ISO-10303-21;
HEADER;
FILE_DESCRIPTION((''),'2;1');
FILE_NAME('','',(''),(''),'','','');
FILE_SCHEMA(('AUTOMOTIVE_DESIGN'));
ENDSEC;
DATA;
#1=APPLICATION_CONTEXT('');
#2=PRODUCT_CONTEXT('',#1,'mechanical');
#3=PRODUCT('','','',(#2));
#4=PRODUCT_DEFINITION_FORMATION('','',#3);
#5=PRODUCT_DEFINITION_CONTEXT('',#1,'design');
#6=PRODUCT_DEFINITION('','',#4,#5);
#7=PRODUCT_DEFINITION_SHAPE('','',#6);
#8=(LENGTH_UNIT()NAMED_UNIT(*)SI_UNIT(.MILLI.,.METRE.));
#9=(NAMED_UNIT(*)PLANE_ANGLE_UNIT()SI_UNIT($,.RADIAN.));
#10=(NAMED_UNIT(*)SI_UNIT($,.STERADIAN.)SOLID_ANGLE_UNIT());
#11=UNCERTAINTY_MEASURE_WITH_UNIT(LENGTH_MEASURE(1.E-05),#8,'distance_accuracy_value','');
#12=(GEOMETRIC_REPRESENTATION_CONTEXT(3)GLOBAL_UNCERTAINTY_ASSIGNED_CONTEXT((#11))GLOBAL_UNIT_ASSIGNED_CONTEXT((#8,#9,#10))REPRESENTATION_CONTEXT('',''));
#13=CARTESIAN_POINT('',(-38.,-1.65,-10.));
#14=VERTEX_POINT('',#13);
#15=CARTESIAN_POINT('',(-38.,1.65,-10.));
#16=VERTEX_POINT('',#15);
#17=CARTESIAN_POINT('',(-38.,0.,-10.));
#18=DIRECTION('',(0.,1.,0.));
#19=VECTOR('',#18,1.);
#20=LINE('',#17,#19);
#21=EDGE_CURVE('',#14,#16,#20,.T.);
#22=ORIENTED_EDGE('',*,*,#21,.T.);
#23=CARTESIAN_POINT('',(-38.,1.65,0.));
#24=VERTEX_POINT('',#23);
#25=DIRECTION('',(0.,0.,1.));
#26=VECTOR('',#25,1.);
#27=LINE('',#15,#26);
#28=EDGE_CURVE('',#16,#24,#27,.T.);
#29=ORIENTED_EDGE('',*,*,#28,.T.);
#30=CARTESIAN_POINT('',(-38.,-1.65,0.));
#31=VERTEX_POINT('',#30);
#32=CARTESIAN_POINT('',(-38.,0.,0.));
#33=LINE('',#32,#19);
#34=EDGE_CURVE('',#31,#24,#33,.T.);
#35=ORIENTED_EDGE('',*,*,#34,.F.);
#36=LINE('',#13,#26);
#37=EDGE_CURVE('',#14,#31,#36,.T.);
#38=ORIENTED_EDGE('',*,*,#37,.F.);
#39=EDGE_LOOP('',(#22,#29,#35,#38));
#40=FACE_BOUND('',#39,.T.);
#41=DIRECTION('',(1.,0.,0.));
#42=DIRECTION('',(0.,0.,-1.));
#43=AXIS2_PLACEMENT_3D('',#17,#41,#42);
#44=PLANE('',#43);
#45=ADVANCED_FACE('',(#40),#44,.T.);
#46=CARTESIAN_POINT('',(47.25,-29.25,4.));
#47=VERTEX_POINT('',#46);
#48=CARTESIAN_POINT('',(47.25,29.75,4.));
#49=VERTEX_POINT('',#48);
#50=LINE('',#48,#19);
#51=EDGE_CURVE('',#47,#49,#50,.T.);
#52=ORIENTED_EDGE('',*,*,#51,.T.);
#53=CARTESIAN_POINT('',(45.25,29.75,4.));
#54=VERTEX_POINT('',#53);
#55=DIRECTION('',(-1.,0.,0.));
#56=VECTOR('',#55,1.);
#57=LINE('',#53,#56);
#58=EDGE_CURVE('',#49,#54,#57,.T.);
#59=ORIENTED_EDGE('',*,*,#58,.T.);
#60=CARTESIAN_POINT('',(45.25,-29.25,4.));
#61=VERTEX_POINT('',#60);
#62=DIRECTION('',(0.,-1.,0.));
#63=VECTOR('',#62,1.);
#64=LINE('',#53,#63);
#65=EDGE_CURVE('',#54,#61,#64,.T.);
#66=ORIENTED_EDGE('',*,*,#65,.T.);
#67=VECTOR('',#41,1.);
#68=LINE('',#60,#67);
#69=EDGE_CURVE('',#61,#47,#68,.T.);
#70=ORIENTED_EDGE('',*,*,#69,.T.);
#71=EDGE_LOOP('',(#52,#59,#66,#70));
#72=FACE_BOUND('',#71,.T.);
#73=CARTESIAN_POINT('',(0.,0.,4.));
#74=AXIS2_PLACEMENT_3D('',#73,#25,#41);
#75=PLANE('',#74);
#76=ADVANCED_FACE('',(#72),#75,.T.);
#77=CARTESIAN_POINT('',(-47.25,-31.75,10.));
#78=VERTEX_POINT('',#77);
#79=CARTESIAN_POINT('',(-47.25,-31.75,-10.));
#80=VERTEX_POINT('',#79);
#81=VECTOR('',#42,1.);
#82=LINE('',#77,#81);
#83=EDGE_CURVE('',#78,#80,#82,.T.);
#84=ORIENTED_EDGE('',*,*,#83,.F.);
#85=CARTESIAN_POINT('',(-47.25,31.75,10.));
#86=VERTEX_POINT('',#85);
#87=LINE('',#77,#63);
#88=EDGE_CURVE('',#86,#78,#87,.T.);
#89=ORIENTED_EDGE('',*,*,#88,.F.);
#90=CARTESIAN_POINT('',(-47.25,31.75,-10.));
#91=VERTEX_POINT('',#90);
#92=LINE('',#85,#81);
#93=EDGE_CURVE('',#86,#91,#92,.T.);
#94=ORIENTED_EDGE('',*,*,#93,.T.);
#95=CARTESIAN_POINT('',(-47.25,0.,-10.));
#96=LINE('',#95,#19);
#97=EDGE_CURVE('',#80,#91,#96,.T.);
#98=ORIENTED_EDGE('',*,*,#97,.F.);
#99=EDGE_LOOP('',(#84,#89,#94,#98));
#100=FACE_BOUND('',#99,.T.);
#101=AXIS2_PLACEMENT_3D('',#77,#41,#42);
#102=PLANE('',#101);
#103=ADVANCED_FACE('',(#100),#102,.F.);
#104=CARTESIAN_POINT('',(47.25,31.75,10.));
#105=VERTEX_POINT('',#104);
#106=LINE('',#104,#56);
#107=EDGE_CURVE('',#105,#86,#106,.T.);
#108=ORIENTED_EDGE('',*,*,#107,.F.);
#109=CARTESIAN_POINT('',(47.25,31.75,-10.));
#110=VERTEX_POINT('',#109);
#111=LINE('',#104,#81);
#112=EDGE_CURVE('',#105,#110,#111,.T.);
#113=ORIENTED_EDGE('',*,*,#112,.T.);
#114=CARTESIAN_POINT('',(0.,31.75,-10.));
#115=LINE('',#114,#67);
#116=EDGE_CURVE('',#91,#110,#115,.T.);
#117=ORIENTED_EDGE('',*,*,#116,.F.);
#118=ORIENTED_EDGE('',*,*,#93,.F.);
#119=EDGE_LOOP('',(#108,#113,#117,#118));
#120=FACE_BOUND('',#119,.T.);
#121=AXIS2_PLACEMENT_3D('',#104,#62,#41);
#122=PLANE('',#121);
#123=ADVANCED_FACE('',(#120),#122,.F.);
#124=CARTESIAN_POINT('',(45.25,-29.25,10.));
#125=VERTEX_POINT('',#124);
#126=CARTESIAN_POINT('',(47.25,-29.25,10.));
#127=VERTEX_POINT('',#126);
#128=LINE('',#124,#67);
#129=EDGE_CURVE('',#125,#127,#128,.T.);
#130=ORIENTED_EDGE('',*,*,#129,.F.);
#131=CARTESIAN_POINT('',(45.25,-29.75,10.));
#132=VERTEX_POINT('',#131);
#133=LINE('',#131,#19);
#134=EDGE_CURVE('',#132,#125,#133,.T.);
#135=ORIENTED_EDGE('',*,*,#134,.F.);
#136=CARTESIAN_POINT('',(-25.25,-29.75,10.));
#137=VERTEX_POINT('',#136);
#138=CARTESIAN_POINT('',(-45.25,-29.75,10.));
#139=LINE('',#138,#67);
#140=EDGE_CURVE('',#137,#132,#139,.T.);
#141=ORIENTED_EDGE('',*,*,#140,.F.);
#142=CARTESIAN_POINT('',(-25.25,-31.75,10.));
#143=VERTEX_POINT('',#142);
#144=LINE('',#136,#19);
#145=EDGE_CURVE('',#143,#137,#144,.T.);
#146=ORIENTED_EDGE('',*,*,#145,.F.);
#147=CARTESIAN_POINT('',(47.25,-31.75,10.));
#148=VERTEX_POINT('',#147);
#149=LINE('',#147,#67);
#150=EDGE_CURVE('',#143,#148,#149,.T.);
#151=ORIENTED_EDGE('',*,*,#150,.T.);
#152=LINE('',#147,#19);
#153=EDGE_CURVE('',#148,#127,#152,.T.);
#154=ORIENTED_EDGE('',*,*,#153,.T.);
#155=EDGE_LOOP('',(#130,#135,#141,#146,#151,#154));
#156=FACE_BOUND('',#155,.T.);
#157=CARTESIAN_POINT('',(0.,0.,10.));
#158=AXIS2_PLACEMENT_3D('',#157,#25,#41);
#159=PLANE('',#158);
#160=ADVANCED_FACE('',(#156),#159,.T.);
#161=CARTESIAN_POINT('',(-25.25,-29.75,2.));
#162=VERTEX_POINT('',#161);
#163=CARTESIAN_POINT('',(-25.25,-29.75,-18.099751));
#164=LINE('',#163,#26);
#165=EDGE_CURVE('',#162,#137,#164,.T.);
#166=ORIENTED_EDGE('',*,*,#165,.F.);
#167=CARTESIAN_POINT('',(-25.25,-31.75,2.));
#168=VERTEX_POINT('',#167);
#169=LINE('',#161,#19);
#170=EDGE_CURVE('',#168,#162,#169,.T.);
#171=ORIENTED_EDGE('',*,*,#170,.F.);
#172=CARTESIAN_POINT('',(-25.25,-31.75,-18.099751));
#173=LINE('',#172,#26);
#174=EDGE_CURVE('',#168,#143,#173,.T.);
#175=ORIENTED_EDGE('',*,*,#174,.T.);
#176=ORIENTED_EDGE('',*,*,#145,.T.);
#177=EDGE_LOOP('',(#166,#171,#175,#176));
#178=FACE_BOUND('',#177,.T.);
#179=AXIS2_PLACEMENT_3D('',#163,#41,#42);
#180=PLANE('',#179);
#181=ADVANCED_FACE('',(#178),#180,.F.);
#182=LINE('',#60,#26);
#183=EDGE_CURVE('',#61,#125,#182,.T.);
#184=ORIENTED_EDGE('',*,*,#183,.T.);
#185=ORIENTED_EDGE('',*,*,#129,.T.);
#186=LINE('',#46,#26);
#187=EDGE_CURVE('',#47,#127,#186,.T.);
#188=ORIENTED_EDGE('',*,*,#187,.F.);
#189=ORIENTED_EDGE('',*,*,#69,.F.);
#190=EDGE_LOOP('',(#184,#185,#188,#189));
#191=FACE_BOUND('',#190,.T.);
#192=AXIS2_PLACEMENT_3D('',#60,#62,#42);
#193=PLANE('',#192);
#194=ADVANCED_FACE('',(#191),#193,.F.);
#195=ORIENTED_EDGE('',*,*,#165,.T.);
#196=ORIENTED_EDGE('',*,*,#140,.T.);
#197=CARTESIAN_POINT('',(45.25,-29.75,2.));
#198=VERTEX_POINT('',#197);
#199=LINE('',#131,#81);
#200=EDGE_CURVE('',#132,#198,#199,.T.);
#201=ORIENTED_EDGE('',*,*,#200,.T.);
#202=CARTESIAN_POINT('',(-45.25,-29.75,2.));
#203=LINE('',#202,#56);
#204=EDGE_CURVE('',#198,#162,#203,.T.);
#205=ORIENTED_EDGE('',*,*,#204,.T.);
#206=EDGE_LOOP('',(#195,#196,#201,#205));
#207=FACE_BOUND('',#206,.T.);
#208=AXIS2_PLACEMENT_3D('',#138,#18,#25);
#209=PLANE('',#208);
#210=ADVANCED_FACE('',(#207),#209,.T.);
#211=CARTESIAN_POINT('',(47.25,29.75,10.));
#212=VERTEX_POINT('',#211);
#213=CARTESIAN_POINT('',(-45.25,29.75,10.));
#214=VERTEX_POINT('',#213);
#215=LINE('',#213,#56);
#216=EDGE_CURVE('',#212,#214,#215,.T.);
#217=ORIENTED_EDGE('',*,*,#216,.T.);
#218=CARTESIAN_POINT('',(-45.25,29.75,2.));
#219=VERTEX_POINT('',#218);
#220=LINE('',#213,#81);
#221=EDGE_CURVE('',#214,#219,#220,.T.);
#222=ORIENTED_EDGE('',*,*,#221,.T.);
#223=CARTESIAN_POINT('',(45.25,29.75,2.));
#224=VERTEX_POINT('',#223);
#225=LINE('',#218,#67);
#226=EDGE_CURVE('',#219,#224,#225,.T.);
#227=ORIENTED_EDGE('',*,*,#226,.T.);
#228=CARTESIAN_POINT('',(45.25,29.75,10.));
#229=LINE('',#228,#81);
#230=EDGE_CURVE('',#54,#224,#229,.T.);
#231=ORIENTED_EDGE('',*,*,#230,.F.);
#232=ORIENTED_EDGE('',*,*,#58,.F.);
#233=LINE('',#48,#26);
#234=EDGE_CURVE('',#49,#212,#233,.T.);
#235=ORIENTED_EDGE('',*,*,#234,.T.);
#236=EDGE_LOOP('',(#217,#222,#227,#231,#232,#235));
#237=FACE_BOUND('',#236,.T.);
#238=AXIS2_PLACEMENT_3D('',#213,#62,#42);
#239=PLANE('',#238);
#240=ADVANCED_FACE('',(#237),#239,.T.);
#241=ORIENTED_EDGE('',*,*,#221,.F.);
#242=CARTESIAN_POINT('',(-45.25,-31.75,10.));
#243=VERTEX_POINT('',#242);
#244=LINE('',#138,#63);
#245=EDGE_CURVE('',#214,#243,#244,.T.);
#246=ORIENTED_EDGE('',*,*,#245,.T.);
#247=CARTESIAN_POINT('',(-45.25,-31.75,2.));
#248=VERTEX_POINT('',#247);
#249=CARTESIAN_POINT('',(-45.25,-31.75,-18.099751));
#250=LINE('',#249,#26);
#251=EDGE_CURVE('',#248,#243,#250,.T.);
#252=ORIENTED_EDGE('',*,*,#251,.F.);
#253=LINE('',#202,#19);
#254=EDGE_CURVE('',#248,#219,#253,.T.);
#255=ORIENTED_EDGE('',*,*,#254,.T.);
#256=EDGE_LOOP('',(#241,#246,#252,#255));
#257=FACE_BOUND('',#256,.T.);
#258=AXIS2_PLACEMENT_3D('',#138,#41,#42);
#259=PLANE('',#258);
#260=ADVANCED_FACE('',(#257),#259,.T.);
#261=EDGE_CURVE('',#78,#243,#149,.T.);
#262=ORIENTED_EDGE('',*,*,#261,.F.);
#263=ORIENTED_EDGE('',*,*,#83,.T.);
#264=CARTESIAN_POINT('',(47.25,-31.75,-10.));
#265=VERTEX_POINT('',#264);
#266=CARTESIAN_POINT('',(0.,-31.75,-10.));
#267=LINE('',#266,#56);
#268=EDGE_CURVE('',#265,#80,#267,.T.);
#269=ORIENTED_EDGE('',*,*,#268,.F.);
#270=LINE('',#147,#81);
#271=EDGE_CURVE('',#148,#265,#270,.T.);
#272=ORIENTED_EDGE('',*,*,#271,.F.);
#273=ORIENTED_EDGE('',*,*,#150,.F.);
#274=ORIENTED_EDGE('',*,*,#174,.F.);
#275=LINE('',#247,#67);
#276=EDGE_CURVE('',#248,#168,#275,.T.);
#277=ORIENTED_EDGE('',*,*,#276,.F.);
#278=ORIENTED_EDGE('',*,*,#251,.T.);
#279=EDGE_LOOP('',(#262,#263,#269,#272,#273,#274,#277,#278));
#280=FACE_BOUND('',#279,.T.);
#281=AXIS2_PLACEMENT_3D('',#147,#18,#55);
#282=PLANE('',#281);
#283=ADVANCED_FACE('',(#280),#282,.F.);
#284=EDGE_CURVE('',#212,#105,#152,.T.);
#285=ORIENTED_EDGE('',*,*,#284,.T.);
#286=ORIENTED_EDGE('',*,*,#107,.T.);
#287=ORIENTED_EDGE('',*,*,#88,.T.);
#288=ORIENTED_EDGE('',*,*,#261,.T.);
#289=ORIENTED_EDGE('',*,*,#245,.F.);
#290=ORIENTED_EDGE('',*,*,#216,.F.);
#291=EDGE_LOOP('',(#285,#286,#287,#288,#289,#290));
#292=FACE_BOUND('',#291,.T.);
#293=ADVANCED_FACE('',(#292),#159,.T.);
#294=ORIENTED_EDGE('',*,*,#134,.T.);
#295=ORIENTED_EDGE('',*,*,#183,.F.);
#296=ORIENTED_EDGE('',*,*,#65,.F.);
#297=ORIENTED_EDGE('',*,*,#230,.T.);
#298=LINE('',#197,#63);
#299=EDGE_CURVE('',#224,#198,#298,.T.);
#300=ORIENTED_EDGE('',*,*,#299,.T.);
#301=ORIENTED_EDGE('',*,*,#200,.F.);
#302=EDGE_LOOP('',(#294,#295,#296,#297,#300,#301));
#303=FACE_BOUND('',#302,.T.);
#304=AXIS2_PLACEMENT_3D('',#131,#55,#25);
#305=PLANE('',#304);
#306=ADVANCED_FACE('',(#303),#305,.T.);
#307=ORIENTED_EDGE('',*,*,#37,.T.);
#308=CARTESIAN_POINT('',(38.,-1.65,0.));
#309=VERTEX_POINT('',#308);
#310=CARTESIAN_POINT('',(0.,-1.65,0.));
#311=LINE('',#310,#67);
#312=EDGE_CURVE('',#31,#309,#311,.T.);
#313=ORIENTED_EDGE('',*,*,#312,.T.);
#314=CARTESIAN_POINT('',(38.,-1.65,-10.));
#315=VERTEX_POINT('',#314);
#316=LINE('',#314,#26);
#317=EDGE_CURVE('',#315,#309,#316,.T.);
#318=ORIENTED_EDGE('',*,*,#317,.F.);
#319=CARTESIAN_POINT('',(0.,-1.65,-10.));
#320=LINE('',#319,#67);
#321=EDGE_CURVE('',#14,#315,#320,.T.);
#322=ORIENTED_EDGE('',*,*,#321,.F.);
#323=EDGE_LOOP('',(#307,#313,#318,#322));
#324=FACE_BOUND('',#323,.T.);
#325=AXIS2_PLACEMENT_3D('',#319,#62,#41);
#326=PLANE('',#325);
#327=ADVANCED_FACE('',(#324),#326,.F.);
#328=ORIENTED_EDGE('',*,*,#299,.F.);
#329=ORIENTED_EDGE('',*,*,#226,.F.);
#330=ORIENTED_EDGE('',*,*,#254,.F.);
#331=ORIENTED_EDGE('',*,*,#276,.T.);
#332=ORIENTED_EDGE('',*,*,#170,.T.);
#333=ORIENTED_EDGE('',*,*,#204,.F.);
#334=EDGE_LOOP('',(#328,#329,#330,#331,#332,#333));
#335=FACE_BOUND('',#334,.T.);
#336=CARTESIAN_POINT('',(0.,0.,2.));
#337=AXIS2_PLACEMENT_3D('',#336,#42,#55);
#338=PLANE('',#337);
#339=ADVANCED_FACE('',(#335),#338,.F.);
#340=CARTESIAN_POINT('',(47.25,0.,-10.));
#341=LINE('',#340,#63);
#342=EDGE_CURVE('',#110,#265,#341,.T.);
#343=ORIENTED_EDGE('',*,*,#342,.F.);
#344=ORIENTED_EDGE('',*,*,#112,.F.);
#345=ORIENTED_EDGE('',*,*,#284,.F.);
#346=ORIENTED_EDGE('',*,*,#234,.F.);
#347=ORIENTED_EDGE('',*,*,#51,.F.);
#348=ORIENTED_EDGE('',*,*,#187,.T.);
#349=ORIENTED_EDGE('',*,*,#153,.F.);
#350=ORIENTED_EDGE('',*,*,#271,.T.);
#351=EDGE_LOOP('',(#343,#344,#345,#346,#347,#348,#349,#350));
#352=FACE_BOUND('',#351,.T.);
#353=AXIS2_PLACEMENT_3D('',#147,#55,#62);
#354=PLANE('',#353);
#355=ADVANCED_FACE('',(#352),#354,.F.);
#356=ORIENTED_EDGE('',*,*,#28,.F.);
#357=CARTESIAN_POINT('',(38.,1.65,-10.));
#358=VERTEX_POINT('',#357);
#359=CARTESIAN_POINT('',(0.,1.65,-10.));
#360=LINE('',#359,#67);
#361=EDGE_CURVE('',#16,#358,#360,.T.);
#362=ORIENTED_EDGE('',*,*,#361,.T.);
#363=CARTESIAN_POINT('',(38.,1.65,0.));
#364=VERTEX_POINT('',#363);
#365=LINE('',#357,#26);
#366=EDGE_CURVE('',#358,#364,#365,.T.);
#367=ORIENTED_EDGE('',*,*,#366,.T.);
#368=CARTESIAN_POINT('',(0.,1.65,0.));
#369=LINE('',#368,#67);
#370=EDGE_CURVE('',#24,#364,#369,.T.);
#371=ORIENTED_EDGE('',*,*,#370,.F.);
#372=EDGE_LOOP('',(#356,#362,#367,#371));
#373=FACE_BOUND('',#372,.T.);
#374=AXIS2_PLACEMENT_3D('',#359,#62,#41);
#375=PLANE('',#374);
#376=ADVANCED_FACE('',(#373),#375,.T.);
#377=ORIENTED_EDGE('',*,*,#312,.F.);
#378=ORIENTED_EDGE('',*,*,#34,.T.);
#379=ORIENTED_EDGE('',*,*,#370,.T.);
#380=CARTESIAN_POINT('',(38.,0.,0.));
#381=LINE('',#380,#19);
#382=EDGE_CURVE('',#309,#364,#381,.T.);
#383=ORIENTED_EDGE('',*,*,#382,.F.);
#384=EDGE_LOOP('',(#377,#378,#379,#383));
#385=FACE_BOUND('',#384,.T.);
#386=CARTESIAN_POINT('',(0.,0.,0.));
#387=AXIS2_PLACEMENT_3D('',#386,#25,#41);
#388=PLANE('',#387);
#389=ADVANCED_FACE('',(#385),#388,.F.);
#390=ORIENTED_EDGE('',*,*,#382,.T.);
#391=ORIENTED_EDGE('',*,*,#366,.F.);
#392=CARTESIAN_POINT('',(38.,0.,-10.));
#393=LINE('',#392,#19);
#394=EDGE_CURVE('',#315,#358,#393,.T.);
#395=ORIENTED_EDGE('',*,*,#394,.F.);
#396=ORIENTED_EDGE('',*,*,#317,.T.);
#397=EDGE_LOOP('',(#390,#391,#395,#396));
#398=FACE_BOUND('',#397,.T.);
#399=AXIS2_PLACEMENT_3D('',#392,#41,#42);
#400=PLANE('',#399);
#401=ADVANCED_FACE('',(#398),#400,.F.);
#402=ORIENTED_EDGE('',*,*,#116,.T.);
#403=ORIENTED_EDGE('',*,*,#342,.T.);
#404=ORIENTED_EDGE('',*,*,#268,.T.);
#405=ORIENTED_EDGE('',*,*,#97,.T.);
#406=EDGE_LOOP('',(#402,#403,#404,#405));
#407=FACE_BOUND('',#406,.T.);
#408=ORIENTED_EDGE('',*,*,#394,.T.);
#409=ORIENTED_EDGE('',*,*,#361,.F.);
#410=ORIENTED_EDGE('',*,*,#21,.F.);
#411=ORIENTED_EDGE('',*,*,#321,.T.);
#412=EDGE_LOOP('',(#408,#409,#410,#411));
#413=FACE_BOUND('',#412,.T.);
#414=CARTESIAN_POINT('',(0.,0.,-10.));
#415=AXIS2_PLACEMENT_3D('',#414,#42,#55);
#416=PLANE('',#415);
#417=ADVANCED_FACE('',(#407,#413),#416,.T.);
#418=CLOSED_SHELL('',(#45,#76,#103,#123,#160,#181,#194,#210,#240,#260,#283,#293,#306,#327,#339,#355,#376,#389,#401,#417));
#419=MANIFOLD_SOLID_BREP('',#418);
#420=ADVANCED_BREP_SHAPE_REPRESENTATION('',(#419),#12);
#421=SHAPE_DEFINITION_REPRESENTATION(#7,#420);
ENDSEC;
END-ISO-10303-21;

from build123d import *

# Parameters (mm, degrees)
SKETCH1_W           = 94.5
SKETCH1_H           = 63.5
SKETCH1_W_2         = 90.5
SKETCH1_H_2         = 59.5
BOSS_EXTRUDE1_DEPTH = 10
SKETCH2_W           = 94.5
SKETCH2_H           = 63.5
BOSS_EXTRUDE2_DEPTH = 2
SKETCH3_W           = 94.5
SKETCH3_H           = 63.5
SKETCH3_W_2         = 76
SKETCH3_H_2         = 3.3
BOSS_EXTRUDE3_DEPTH = 10
SKETCH5_W           = 20
SKETCH5_H           = 2
CUT_EXTRUDE1_DEPTH  = 8
SKETCH6_W           = 2
SKETCH6_H           = 59
CUT_EXTRUDE2_DEPTH  = 6


with BuildPart() as part:
    # Sketch1 → Boss-Extrude1 (new body)
    with BuildSketch(Plane.XY):
        Rectangle(SKETCH1_W, SKETCH1_H)
        Rectangle(SKETCH1_W_2, SKETCH1_H_2, mode=Mode.SUBTRACT)
    extrude(amount=BOSS_EXTRUDE1_DEPTH)

    # Sketch2 → Boss-Extrude2 (add)
    with BuildSketch(Plane.XY):
        Rectangle(SKETCH2_W, SKETCH2_H)
    extrude(amount=BOSS_EXTRUDE2_DEPTH)

    # Sketch3 → Boss-Extrude3 (add)
    with BuildSketch(Plane(origin=(0, 0, 0), x_dir=(-1, 0, 0), z_dir=(0, 0, -1))):
        Rectangle(SKETCH3_W, SKETCH3_H)
        Rectangle(SKETCH3_W_2, SKETCH3_H_2, mode=Mode.SUBTRACT)
    extrude(amount=BOSS_EXTRUDE3_DEPTH)

    # Sketch5 → Cut-Extrude1 (cut)
    with BuildSketch(Plane.XY.offset(10)):
        with Locations((-35.25, -30.75)):
            Rectangle(SKETCH5_W, SKETCH5_H)
    extrude(amount=-CUT_EXTRUDE1_DEPTH, mode=Mode.SUBTRACT)

    # Sketch6 → Cut-Extrude2 (cut)
    with BuildSketch(Plane.XY.offset(10)):
        with Locations((46.25, 0.25)):
            Rectangle(SKETCH6_W, SKETCH6_H)
    extrude(amount=-CUT_EXTRUDE2_DEPTH, mode=Mode.SUBTRACT)


solid = part.part
